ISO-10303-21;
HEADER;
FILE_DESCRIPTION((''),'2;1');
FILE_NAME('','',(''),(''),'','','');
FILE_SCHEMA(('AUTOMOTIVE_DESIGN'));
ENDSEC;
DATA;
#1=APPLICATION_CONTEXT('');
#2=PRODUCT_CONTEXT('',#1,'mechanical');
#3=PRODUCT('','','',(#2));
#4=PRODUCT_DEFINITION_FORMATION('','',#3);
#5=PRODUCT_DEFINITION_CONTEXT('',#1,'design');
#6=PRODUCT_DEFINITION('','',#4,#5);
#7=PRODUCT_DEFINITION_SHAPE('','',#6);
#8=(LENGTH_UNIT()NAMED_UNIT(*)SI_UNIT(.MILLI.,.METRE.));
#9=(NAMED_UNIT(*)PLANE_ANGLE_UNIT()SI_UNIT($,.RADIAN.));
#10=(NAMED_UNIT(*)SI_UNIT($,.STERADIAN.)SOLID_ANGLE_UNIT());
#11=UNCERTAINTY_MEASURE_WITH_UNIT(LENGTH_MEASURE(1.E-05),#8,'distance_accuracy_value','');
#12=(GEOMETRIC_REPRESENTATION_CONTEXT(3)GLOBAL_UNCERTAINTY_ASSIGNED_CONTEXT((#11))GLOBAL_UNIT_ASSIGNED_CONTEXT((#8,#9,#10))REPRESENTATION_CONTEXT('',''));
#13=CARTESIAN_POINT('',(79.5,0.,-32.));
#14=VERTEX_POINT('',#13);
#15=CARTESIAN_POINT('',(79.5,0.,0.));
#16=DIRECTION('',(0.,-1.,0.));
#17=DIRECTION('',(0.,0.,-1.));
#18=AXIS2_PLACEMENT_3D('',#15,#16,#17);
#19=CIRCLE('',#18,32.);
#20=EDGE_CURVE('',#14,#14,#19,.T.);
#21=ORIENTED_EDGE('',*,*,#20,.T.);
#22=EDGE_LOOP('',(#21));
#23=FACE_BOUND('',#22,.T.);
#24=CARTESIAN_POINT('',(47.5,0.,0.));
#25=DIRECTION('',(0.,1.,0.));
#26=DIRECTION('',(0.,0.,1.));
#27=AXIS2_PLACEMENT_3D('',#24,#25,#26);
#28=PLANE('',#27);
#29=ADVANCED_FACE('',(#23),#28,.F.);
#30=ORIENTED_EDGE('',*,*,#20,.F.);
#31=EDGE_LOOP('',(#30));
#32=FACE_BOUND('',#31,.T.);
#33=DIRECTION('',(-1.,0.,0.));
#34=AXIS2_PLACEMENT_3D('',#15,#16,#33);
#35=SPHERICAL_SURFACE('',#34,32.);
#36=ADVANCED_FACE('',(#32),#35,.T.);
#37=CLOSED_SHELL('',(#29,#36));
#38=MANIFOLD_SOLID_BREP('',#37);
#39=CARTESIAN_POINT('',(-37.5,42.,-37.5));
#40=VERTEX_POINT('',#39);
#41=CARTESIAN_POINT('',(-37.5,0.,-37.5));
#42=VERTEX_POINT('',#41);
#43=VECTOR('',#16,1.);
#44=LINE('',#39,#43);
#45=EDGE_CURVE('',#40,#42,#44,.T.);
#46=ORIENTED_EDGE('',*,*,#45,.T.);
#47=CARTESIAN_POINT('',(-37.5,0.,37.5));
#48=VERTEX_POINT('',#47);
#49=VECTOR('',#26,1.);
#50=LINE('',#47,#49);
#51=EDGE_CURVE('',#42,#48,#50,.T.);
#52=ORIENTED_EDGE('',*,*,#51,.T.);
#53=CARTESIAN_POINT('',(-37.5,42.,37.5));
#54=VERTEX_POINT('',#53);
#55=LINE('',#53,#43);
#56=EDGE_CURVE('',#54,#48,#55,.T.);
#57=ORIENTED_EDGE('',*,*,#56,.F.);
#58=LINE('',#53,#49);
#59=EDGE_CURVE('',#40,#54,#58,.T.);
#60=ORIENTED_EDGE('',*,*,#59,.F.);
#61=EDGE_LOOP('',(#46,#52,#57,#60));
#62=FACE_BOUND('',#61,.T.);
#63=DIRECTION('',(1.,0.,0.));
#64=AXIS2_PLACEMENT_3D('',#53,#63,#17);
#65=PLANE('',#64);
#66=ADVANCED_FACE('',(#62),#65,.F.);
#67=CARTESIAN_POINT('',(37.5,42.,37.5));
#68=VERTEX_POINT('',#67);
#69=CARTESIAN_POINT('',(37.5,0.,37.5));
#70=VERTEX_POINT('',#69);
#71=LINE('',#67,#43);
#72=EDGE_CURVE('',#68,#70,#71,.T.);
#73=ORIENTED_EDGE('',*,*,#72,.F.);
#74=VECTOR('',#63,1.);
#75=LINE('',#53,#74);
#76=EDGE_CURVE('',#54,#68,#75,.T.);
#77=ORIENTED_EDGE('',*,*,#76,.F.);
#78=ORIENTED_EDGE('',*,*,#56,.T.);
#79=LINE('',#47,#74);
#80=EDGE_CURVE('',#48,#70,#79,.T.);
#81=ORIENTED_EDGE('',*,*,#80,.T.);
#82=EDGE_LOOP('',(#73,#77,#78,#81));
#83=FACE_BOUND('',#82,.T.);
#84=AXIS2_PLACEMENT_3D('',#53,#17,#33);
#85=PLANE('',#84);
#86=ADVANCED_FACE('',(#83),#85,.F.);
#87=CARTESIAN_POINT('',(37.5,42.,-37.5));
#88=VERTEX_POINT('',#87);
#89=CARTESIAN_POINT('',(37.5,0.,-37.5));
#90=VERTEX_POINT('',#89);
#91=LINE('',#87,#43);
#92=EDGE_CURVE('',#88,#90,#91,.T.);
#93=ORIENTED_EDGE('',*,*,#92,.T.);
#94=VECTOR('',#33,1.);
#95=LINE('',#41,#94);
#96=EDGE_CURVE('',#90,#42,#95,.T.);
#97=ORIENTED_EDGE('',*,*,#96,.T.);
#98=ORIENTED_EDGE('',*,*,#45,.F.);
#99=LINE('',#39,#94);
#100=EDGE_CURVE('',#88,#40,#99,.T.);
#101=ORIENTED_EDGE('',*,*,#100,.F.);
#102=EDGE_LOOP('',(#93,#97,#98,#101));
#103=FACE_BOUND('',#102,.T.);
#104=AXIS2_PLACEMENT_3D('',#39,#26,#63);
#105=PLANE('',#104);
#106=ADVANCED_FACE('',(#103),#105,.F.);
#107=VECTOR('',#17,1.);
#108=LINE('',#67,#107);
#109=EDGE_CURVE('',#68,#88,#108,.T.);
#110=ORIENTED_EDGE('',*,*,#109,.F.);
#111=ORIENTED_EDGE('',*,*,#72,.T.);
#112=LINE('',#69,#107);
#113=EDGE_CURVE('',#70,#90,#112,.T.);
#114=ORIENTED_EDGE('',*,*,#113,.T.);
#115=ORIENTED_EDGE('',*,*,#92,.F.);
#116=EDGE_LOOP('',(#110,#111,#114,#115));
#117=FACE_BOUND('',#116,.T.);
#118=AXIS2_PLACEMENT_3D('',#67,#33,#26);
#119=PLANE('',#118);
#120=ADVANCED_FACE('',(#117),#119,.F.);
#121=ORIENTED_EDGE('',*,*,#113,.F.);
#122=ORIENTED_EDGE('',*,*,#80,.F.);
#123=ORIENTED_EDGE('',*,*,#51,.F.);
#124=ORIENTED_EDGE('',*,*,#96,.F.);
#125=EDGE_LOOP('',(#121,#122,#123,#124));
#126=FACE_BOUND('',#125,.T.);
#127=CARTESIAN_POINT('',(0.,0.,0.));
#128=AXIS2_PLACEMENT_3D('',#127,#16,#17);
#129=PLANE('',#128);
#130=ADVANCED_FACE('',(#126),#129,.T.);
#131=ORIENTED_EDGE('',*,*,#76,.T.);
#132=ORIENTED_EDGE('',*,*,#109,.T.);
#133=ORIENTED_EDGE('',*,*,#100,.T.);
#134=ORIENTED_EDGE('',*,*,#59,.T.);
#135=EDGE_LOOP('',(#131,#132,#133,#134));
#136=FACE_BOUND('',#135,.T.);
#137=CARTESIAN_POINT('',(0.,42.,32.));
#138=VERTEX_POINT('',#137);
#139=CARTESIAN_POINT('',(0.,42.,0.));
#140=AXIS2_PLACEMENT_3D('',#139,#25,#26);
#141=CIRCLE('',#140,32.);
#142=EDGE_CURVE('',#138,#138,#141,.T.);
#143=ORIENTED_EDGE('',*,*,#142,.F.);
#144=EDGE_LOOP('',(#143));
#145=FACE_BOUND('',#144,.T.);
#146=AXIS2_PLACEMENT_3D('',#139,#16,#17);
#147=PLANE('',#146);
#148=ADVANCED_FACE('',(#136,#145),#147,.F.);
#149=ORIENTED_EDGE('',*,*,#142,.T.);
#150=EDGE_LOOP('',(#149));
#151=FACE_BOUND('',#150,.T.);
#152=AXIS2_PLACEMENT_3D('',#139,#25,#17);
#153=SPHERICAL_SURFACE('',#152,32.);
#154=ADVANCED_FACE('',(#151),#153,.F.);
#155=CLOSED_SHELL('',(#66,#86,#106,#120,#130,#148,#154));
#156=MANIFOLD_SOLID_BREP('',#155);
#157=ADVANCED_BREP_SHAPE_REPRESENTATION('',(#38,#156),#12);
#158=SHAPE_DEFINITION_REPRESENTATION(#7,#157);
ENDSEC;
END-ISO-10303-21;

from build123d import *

# Parameters (mm, degrees)
SKETCH2_W           = 75
SKETCH2_H           = 75
BOSS_EXTRUDE2_DEPTH = 42


with BuildPart() as part:
    # Sketch2 → Boss-Extrude2 (new body)
    with BuildSketch(Plane(origin=(0, 0, 0), x_dir=(1, 0, 0), z_dir=(0, 1, 0))):
        Rectangle(SKETCH2_W, SKETCH2_H)
    extrude(amount=BOSS_EXTRUDE2_DEPTH)

    # Sketch4 → Cut-Revolve2 (revolve, cut)
    with BuildSketch(Plane(origin=(0, 0, 0), x_dir=(0, 0, -1), z_dir=(1, 0, 0))):
        with BuildLine():
            Line((0, 42), (0, 10))
            ThreePointArc((0, 10), (22.627416998, 19.372583002), (32, 42))
            Line((32, 42), (0, 42))
        make_face()
    revolve(axis=Axis((0, 42, 0), (0, -1, 0)), mode=Mode.SUBTRACT)


with BuildPart() as body_2:
    # Sketch6 → Revolve1 (revolve)
    with BuildSketch(Plane.XY):
        with BuildLine():
            Line((47.5, 0), (79.5, 0))
            Line((79.5, 0), (79.5, 32))
            ThreePointArc((79.5, 32), (56.872583002, 22.627416998), (47.5, 0))
        make_face()
    revolve(axis=Axis((79.5, 0, 0), (0, 1, 0)))


solid = Compound([part.part, body_2.part])
